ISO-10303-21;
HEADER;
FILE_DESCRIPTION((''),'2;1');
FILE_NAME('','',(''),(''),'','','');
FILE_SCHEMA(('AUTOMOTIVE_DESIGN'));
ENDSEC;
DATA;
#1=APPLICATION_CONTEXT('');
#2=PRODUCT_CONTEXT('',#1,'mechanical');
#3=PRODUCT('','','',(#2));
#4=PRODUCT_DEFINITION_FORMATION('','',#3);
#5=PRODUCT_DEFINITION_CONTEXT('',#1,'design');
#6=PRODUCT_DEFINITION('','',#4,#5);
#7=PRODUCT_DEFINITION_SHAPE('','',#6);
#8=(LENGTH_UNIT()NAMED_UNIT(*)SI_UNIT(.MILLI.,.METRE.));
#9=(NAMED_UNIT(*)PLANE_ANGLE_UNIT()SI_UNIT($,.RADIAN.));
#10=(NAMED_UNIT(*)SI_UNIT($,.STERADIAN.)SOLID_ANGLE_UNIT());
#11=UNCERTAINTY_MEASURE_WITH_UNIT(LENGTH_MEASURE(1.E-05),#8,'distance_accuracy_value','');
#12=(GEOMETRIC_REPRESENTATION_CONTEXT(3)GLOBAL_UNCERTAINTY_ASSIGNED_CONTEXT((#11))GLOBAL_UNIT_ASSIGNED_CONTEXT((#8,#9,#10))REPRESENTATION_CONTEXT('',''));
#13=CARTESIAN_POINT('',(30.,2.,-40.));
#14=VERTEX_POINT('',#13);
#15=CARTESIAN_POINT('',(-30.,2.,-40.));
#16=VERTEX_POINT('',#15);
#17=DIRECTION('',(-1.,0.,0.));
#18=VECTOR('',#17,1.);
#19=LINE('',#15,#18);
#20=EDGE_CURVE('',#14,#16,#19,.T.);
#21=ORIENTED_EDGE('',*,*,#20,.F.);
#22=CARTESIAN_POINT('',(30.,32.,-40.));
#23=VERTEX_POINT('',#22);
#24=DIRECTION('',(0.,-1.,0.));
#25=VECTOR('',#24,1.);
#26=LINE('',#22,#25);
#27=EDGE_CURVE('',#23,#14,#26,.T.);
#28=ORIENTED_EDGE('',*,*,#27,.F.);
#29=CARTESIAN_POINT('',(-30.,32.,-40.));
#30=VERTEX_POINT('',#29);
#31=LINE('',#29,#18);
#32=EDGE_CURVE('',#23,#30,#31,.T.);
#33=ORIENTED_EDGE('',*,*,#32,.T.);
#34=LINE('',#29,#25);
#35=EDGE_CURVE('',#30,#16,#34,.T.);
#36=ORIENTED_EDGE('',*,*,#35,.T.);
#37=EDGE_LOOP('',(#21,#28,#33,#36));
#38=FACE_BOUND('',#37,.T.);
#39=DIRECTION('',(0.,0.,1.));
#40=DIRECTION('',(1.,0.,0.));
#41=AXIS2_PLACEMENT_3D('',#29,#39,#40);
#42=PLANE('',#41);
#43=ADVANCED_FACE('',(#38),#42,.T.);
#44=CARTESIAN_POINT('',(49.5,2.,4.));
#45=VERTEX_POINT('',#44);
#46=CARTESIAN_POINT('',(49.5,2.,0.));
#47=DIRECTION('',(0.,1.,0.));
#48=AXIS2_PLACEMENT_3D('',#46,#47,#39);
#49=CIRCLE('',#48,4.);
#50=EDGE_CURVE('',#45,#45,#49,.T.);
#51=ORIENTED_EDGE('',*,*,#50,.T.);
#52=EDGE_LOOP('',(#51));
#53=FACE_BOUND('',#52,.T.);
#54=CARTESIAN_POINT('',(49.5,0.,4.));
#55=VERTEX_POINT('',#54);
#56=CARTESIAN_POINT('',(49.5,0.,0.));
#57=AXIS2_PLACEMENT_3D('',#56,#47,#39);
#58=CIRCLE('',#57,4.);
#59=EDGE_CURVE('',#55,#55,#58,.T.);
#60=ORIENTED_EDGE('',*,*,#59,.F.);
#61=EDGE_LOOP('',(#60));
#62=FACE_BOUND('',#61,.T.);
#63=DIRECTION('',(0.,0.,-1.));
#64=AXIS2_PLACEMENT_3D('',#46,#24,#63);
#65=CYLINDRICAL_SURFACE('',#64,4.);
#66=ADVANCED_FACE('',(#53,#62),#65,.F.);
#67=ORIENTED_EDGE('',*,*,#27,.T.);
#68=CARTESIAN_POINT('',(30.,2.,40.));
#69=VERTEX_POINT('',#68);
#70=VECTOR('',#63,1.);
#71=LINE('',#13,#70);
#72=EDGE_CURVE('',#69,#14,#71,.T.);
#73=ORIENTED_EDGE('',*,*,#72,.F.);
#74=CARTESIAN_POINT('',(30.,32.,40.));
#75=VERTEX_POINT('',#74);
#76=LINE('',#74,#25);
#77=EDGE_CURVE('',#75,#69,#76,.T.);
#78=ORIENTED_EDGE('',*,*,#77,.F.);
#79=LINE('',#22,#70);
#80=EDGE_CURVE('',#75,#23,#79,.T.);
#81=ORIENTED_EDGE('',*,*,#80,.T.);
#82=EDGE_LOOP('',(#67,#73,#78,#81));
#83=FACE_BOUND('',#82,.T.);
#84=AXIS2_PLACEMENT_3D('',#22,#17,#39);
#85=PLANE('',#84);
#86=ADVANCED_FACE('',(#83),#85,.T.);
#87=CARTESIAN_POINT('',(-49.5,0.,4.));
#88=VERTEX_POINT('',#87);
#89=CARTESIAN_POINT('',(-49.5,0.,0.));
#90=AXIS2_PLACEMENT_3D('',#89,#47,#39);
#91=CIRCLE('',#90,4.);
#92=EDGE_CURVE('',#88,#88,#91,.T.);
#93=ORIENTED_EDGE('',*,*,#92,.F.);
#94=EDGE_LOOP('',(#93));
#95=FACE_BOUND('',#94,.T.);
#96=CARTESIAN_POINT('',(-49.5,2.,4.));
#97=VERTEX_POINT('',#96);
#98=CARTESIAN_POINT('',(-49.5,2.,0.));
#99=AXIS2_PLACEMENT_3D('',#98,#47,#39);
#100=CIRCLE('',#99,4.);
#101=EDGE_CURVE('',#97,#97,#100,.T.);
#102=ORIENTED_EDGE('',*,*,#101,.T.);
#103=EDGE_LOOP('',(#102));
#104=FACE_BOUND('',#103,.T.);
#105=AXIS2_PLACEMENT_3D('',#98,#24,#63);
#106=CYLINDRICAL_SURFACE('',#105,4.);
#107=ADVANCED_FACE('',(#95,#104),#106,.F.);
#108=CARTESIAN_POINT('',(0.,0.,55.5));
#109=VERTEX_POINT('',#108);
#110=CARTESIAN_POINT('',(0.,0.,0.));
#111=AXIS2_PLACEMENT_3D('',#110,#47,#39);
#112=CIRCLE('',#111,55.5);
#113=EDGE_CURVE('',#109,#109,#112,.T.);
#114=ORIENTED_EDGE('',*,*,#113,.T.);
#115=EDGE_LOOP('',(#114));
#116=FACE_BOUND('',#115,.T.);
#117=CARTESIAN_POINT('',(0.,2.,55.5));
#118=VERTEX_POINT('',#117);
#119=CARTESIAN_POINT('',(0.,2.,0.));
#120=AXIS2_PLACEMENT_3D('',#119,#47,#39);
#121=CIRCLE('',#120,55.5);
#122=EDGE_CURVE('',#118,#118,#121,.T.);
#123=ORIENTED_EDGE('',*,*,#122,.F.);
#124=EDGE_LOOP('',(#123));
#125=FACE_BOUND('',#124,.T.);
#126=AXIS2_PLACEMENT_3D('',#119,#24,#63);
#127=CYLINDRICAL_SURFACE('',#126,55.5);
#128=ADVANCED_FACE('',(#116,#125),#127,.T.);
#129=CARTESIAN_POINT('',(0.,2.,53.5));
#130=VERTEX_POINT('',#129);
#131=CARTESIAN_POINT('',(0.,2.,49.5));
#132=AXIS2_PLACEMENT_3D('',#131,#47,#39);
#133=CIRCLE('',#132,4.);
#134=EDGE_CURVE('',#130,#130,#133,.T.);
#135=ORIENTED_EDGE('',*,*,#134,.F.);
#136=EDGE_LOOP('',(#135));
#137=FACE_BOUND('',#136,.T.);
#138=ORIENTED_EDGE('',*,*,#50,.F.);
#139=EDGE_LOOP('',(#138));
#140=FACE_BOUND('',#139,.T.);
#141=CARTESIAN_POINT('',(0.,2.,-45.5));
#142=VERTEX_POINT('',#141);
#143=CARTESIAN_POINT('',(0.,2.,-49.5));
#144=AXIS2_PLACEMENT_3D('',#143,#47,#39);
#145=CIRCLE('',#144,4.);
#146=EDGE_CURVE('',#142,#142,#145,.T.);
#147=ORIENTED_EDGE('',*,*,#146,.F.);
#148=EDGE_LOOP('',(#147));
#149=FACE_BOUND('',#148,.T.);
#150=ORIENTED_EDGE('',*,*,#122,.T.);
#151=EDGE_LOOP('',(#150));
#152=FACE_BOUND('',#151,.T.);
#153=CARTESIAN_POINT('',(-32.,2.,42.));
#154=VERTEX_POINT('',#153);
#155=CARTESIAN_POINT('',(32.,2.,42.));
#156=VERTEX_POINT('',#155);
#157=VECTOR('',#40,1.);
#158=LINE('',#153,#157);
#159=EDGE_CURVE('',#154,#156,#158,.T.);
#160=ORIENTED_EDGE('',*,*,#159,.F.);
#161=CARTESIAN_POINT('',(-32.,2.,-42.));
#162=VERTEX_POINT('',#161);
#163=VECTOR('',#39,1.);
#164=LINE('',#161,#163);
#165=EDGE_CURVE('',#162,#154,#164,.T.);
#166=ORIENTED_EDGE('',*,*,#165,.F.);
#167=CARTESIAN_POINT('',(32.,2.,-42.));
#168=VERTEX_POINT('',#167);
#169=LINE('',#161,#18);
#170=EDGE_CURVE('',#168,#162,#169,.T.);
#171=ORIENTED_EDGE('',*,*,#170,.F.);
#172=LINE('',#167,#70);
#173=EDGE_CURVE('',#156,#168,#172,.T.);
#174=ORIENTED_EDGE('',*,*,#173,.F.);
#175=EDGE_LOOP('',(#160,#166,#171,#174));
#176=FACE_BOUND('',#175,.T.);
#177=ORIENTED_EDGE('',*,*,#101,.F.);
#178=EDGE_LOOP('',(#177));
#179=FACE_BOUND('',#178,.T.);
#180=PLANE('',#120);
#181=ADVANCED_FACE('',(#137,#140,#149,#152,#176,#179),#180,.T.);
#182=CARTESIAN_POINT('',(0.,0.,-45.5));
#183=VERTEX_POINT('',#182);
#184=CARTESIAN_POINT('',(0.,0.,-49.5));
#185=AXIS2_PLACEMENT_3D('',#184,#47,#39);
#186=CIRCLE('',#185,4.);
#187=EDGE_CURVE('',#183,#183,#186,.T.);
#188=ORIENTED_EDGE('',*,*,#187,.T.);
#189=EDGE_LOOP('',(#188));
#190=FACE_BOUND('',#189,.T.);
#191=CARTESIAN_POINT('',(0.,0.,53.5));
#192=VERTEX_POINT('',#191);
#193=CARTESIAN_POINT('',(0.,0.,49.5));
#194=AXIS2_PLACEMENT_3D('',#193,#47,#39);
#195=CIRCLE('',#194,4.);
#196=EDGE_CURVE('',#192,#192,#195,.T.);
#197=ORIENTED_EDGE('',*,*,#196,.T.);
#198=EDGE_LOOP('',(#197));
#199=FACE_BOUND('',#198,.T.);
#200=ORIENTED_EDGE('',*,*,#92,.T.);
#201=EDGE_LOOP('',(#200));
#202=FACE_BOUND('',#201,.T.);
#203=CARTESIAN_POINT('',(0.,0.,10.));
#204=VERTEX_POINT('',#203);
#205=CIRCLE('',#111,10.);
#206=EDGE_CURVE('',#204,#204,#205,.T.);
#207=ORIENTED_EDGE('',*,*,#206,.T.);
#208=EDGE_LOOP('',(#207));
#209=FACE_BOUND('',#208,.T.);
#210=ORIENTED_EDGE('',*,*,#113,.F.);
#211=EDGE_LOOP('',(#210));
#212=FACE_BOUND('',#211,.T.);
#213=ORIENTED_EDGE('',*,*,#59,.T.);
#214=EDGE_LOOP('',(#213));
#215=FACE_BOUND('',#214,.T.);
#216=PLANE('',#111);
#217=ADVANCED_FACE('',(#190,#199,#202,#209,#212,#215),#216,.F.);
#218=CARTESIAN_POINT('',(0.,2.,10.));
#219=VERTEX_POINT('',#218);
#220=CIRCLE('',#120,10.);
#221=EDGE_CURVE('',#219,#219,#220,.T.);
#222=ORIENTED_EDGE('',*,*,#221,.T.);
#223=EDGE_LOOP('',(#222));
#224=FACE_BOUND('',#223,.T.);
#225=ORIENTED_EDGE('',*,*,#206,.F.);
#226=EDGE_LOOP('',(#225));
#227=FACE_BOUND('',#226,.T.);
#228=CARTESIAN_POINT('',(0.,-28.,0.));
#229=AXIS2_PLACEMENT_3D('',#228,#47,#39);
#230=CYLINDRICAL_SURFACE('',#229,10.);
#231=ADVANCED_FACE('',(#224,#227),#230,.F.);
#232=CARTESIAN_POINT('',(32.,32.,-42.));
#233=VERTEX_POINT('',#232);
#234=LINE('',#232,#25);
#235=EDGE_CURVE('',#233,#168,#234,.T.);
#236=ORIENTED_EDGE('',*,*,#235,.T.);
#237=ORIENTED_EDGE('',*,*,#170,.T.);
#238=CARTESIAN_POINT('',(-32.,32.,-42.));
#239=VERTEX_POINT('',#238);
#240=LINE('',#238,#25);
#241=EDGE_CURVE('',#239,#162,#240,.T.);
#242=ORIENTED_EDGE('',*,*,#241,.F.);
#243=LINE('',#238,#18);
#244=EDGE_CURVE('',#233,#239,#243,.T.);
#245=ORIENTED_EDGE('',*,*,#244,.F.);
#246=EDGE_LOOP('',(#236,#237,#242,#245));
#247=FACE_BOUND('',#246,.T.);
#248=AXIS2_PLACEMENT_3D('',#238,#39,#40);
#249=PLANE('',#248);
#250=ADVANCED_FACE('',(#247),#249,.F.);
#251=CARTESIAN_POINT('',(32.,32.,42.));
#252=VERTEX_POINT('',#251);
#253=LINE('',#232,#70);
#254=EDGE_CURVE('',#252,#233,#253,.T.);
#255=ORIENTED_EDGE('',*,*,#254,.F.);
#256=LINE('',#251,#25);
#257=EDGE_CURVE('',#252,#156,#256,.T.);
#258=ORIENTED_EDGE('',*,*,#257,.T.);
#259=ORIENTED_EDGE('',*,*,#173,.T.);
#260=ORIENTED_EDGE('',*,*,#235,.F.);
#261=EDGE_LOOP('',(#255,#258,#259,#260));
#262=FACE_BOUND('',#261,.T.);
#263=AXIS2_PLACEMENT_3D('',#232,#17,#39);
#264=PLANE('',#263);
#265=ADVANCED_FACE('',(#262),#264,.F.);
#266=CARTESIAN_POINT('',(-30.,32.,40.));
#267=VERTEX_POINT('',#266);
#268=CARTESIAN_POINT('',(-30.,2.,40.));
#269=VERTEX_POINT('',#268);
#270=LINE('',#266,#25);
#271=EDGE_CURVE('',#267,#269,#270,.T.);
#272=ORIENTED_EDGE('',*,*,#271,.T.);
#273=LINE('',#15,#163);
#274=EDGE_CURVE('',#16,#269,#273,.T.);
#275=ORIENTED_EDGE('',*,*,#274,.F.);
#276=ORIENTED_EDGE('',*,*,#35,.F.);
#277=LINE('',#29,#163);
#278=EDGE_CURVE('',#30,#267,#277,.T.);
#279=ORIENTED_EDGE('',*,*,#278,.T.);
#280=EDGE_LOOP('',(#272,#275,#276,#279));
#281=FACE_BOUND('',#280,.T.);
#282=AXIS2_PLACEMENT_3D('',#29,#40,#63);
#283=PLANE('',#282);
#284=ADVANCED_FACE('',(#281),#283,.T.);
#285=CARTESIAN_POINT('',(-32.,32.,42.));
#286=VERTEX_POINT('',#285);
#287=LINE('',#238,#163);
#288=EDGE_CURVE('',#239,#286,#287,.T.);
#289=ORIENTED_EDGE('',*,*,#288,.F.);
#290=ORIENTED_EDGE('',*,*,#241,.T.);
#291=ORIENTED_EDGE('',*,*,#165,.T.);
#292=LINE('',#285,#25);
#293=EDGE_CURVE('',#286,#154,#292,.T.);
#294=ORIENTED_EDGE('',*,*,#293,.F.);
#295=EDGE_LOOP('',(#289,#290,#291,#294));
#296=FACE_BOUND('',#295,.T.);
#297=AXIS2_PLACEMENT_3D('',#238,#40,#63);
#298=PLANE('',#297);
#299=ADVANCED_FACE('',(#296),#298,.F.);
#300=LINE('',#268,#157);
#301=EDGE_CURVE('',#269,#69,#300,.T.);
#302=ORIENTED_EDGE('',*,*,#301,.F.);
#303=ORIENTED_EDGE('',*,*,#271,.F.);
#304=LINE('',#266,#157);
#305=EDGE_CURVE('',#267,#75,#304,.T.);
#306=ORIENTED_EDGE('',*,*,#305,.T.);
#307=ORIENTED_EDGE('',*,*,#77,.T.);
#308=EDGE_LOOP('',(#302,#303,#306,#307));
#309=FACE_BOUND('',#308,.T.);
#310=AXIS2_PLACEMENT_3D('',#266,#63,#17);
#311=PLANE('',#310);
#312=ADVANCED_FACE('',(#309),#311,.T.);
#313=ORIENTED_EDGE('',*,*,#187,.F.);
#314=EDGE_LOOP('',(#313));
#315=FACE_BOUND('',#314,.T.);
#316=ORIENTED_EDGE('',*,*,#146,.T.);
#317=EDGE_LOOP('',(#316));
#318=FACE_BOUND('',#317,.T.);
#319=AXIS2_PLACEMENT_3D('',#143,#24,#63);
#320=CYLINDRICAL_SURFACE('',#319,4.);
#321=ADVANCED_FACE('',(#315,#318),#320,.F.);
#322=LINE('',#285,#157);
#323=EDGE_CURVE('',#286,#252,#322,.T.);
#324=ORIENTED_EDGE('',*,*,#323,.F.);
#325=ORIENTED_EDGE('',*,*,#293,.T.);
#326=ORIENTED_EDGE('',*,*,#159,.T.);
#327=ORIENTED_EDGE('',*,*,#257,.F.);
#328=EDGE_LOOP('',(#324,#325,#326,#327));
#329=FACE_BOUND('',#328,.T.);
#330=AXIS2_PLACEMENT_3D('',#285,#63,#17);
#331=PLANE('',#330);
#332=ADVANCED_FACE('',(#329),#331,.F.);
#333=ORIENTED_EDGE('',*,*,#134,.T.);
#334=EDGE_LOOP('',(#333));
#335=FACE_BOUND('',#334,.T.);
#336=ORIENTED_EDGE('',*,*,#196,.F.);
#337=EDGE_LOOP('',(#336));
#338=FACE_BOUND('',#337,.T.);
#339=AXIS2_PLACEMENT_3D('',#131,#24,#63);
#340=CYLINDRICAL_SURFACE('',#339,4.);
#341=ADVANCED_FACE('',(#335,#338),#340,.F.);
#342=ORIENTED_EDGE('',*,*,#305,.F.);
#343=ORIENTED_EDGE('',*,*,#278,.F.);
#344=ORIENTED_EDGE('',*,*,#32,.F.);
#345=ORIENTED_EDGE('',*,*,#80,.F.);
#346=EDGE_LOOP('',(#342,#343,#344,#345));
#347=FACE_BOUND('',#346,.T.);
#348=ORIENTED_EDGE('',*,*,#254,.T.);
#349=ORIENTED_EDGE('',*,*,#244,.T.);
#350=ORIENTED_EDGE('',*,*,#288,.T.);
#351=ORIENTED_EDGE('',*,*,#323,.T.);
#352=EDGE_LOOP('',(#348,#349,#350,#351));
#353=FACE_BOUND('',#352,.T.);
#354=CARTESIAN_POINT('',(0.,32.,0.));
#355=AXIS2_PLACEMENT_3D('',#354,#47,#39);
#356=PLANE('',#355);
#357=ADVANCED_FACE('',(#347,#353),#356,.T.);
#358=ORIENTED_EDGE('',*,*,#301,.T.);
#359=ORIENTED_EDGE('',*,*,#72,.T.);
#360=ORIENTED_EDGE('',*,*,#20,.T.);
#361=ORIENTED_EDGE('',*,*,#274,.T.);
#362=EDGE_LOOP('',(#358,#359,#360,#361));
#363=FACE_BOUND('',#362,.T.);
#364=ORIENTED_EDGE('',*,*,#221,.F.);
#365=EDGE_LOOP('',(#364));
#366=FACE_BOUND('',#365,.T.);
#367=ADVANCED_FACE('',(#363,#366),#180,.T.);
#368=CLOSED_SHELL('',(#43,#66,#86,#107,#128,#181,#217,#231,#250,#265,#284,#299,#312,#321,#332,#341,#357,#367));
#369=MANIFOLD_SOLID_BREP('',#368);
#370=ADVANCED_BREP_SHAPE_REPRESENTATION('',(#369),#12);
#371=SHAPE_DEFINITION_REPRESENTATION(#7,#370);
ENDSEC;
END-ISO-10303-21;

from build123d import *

# Parameters (mm, degrees)
SKETCH1_R           = 55.5
SKETCH1_R_2         = 4
BOSS_EXTRUDE4_DEPTH = 2
SKETCH6_W           = 64
SKETCH6_H           = 84
SKETCH6_W_2         = 60
SKETCH6_H_2         = 80
BOSS_EXTRUDE5_DEPTH = 30
SKETCH7_R           = 10
CUT_EXTRUDE2_DEPTH  = 30


with BuildPart() as part:
    # Sketch1 → Boss-Extrude4 (new body)
    with BuildSketch(Plane(origin=(0, 0, 0), x_dir=(1, 0, 0), z_dir=(0, 1, 0))):
        with Locations(Location((0, 0, 0), (0, 0, 270))):
            Circle(SKETCH1_R)
        with Locations(Location((0, 49.5, 0), (0, 0, 270))):
            Circle(SKETCH1_R_2, mode=Mode.SUBTRACT)
        with Locations(Location((49.5, 0, 0), (0, 0, 270))):
            Circle(SKETCH1_R_2, mode=Mode.SUBTRACT)
        with Locations(Location((-49.5, 0, 0), (0, 0, 270))):
            Circle(SKETCH1_R_2, mode=Mode.SUBTRACT)
        with Locations(Location((0, -49.5, 0), (0, 0, 270))):
            Circle(SKETCH1_R_2, mode=Mode.SUBTRACT)
    extrude(amount=BOSS_EXTRUDE4_DEPTH)

    # Sketch6 → Boss-Extrude5 (add)
    with BuildSketch(Plane(origin=(0, 2, 0), x_dir=(1, 0, 0), z_dir=(0, 1, 0))):
        Rectangle(SKETCH6_W, SKETCH6_H)
        Rectangle(SKETCH6_W_2, SKETCH6_H_2, mode=Mode.SUBTRACT)
    extrude(amount=BOSS_EXTRUDE5_DEPTH)

    # Sketch7 → Cut-Extrude2 (cut)
    with BuildSketch(Plane(origin=(0, 2, 0), x_dir=(1, 0, 0), z_dir=(0, 1, 0))):
        with Locations(Location((0, 0, 0), (0, 0, 270))):
            Circle(SKETCH7_R)
    extrude(amount=-CUT_EXTRUDE2_DEPTH, mode=Mode.SUBTRACT)


solid = part.part
